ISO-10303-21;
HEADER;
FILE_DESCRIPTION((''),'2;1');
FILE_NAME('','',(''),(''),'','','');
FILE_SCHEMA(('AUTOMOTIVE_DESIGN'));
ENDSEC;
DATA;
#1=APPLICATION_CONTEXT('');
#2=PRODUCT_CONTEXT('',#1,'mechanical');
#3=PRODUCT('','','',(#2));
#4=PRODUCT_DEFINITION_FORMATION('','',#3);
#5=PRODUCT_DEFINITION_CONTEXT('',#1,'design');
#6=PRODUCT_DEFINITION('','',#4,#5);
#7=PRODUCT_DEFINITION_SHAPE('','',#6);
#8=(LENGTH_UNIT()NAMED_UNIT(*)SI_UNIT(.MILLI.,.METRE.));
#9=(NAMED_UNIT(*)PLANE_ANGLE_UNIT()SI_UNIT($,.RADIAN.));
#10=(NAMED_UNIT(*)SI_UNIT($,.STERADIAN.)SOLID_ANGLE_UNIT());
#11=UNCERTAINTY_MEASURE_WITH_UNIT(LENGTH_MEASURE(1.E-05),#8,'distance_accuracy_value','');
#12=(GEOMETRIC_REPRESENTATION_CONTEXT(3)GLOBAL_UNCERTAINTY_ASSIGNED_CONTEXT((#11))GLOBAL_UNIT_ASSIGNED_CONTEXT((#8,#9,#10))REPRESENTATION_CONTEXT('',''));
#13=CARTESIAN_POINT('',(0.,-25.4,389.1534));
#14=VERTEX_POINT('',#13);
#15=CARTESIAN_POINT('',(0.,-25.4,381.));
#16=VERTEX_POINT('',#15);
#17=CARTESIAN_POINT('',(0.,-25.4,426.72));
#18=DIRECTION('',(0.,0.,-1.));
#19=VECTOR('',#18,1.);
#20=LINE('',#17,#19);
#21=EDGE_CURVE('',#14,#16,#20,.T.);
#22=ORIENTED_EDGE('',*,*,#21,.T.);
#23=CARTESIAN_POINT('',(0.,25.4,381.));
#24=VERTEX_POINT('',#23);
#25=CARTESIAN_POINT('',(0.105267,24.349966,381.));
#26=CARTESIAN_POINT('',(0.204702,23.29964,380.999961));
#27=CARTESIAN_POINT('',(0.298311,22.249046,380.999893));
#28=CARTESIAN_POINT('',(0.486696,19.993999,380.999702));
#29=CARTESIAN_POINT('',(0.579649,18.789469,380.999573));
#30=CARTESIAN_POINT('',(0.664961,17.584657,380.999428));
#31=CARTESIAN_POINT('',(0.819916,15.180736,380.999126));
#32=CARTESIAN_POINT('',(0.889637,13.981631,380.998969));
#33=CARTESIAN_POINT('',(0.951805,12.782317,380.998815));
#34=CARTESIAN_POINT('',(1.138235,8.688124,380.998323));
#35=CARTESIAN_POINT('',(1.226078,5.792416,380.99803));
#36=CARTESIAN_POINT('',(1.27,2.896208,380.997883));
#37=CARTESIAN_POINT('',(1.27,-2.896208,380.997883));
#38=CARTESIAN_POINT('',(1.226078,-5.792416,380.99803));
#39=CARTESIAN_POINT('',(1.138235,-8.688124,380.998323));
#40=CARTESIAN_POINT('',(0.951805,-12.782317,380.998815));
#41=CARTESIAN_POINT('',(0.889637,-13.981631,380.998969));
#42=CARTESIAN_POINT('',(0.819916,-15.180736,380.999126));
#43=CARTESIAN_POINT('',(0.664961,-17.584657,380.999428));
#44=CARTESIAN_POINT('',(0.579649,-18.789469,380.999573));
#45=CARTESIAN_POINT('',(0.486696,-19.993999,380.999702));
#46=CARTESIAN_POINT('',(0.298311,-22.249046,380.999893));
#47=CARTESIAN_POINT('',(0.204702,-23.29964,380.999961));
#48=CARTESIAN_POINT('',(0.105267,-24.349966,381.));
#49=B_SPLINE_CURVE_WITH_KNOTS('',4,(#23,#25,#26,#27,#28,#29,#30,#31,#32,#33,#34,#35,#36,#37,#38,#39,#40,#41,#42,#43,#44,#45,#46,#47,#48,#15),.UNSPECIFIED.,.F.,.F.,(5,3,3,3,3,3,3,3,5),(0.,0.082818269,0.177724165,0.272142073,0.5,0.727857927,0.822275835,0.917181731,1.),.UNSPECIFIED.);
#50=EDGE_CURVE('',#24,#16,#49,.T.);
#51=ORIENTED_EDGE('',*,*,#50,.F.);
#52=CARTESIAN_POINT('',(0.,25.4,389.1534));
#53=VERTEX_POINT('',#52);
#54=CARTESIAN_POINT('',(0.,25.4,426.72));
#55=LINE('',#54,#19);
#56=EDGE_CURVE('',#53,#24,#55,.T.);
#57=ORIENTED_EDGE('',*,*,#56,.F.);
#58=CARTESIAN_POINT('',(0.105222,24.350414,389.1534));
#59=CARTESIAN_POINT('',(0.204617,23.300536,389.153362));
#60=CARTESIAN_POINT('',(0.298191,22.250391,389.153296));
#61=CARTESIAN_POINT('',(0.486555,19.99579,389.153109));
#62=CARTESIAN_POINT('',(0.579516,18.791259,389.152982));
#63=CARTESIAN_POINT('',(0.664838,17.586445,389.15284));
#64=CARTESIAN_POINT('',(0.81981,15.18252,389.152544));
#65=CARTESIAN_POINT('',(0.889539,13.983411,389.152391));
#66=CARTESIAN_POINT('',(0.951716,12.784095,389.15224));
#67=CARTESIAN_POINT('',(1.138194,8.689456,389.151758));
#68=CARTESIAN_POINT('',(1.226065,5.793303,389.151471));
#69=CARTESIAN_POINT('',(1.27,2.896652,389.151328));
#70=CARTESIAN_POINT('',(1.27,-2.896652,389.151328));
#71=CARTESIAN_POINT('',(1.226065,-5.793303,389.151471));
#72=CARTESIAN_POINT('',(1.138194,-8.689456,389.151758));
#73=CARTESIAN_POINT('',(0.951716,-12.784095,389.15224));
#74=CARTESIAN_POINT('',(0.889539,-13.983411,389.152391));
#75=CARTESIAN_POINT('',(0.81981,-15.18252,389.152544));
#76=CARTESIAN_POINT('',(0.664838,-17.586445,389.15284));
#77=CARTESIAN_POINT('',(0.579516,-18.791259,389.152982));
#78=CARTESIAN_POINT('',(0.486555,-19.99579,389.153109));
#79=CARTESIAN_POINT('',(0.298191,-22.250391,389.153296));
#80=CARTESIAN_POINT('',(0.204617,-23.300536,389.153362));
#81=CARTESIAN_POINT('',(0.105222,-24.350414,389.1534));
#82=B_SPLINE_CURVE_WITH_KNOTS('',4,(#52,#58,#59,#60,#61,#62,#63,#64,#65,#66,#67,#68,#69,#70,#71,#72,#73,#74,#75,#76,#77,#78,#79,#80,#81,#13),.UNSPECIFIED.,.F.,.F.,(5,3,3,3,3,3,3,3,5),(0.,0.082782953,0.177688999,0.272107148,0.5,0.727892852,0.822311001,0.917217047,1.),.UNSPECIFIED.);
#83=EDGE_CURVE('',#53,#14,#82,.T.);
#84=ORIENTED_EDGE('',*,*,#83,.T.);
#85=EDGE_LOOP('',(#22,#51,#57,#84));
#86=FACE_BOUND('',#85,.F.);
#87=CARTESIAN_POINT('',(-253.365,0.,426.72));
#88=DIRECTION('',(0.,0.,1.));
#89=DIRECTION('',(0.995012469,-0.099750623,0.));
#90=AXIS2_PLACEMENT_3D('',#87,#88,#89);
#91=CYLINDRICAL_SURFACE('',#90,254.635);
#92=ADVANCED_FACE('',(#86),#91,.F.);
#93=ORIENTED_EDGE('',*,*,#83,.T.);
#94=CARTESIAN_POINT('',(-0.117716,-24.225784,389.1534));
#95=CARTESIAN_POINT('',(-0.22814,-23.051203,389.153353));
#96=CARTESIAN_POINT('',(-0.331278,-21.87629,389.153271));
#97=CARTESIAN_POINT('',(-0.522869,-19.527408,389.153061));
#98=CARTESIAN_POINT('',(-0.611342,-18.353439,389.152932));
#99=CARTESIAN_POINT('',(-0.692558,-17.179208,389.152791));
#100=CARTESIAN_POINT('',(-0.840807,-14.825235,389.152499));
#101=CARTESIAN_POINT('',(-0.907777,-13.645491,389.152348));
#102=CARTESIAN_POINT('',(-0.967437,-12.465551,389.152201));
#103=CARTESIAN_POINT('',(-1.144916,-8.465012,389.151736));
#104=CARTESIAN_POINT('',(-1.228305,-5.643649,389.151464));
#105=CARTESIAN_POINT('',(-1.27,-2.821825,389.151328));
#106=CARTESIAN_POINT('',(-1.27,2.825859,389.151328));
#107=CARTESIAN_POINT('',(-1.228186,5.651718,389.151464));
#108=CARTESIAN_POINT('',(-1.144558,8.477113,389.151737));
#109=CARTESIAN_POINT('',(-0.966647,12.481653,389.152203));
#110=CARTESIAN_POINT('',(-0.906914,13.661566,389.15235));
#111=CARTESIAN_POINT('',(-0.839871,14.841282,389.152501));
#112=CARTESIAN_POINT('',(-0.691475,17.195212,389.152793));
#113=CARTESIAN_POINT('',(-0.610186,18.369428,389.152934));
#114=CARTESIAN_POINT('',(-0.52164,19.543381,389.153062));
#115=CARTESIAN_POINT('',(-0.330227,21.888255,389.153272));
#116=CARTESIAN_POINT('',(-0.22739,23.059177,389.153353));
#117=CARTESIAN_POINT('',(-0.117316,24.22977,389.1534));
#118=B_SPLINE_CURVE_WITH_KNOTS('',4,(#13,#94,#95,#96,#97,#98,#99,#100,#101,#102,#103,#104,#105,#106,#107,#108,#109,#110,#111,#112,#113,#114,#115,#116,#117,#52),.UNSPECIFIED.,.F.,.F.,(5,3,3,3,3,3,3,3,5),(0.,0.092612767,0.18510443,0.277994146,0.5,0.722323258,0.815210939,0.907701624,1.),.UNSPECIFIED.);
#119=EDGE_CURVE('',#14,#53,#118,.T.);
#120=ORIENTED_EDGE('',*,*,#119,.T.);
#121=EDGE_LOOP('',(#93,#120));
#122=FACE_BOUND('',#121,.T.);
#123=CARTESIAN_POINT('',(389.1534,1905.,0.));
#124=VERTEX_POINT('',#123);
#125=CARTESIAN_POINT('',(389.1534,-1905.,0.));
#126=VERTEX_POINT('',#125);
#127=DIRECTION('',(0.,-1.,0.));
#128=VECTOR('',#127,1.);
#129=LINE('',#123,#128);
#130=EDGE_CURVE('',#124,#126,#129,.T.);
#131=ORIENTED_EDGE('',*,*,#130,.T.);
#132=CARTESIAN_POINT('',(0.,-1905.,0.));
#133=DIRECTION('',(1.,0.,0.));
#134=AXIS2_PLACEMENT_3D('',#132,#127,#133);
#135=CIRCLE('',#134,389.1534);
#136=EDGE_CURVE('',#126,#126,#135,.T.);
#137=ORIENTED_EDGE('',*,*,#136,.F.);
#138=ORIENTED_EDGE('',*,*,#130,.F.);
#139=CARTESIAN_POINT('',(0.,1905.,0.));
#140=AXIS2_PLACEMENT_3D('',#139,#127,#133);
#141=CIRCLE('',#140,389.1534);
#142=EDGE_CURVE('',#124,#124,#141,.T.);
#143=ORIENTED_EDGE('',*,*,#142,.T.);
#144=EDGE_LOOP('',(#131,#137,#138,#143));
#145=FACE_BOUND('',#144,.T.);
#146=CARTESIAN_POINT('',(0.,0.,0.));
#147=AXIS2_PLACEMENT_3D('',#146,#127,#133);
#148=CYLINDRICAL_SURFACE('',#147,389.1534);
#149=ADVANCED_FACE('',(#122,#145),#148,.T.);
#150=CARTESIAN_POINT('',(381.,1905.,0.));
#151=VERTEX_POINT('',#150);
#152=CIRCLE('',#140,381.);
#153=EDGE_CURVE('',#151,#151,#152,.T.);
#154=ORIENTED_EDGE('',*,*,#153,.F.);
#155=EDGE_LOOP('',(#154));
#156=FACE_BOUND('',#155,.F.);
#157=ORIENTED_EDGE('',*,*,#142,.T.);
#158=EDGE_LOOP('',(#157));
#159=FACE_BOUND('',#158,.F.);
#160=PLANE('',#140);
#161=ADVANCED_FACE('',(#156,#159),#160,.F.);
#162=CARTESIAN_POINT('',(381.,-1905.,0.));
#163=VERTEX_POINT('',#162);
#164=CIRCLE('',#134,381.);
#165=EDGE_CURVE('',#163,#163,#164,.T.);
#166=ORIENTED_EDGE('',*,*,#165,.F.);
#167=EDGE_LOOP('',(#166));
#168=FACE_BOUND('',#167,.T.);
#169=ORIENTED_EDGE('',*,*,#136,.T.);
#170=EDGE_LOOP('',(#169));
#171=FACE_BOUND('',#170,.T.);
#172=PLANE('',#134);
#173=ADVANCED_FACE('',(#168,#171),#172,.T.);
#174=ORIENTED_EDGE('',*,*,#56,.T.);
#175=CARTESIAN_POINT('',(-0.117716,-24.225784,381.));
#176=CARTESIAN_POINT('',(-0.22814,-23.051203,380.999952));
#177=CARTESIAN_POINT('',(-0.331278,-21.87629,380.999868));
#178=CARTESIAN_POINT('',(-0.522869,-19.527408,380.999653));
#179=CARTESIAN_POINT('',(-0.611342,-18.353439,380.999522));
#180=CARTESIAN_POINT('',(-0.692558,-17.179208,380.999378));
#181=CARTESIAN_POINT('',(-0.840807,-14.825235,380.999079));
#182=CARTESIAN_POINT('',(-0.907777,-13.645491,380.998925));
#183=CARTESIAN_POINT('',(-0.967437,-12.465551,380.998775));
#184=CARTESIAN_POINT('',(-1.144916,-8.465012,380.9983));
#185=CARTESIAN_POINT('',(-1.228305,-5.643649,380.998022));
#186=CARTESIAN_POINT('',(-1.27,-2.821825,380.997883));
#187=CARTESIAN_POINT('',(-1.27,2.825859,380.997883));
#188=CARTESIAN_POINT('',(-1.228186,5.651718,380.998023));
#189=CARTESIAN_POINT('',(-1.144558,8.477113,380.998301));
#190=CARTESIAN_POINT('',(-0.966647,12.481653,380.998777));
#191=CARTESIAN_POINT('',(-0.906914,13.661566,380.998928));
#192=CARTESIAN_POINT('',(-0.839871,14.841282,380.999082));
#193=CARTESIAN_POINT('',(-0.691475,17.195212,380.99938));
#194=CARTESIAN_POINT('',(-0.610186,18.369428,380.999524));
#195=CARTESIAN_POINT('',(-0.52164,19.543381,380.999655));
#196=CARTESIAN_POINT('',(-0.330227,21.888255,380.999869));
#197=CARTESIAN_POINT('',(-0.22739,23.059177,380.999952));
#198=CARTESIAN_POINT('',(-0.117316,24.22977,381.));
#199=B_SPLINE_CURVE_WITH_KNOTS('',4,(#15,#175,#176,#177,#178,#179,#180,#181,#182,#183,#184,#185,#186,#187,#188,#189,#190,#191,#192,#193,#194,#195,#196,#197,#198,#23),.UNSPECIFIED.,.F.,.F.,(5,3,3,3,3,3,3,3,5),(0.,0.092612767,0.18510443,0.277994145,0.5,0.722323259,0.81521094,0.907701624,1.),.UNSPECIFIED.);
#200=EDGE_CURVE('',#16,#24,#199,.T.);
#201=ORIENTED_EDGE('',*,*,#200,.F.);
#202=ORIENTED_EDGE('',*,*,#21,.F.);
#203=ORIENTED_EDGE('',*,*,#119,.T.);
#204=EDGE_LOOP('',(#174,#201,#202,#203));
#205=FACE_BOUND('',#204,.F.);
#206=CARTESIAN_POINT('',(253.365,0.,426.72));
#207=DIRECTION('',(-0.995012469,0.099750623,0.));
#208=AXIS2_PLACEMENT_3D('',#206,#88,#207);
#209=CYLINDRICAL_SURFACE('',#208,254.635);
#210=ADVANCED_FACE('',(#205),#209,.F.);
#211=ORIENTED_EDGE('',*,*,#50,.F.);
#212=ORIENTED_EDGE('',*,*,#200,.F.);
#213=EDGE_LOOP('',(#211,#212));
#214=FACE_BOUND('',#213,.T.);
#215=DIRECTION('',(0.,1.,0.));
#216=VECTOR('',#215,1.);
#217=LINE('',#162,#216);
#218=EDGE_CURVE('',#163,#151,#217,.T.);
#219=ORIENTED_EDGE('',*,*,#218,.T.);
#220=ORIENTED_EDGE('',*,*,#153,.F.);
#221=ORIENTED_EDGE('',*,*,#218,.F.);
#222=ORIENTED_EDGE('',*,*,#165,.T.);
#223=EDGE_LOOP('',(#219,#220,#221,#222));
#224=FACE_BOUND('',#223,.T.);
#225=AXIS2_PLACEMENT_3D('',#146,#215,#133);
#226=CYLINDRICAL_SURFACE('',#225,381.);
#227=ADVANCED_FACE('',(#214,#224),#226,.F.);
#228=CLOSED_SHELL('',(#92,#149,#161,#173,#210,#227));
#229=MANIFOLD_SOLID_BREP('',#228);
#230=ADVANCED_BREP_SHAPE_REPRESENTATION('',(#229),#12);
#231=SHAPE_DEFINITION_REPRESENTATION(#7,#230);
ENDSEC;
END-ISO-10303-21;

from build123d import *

# Parameters (mm, degrees)
F0_R     = 389.1534
F0_R_2   = 381
F1_DEPTH = 1905
F4_DEPTH = 126.238


with BuildPart() as f1:
    # F0 (on Front) → F1 (new body, symmetric)
    with BuildSketch(Plane.XZ):
        Circle(F0_R)
        Circle(F0_R_2, mode=Mode.SUBTRACT)
    extrude(amount=F1_DEPTH, both=True)

    # F3 (on offset) → F4 (cut)
    with BuildSketch(Plane.XY.offset(426.72)):
        with BuildLine():
            Line((0, -25.4), (0, 25.4))
            ThreePointArc((0, 25.4), (-1.27, 0), (0, -25.4))
        make_face()
        with BuildLine():
            ThreePointArc((0, -25.4), (1.27, 0), (0, 25.4))
            Line((0, 25.4), (0, -25.4))
        make_face()
    extrude(amount=-F4_DEPTH, mode=Mode.SUBTRACT)


solid = f1.part
